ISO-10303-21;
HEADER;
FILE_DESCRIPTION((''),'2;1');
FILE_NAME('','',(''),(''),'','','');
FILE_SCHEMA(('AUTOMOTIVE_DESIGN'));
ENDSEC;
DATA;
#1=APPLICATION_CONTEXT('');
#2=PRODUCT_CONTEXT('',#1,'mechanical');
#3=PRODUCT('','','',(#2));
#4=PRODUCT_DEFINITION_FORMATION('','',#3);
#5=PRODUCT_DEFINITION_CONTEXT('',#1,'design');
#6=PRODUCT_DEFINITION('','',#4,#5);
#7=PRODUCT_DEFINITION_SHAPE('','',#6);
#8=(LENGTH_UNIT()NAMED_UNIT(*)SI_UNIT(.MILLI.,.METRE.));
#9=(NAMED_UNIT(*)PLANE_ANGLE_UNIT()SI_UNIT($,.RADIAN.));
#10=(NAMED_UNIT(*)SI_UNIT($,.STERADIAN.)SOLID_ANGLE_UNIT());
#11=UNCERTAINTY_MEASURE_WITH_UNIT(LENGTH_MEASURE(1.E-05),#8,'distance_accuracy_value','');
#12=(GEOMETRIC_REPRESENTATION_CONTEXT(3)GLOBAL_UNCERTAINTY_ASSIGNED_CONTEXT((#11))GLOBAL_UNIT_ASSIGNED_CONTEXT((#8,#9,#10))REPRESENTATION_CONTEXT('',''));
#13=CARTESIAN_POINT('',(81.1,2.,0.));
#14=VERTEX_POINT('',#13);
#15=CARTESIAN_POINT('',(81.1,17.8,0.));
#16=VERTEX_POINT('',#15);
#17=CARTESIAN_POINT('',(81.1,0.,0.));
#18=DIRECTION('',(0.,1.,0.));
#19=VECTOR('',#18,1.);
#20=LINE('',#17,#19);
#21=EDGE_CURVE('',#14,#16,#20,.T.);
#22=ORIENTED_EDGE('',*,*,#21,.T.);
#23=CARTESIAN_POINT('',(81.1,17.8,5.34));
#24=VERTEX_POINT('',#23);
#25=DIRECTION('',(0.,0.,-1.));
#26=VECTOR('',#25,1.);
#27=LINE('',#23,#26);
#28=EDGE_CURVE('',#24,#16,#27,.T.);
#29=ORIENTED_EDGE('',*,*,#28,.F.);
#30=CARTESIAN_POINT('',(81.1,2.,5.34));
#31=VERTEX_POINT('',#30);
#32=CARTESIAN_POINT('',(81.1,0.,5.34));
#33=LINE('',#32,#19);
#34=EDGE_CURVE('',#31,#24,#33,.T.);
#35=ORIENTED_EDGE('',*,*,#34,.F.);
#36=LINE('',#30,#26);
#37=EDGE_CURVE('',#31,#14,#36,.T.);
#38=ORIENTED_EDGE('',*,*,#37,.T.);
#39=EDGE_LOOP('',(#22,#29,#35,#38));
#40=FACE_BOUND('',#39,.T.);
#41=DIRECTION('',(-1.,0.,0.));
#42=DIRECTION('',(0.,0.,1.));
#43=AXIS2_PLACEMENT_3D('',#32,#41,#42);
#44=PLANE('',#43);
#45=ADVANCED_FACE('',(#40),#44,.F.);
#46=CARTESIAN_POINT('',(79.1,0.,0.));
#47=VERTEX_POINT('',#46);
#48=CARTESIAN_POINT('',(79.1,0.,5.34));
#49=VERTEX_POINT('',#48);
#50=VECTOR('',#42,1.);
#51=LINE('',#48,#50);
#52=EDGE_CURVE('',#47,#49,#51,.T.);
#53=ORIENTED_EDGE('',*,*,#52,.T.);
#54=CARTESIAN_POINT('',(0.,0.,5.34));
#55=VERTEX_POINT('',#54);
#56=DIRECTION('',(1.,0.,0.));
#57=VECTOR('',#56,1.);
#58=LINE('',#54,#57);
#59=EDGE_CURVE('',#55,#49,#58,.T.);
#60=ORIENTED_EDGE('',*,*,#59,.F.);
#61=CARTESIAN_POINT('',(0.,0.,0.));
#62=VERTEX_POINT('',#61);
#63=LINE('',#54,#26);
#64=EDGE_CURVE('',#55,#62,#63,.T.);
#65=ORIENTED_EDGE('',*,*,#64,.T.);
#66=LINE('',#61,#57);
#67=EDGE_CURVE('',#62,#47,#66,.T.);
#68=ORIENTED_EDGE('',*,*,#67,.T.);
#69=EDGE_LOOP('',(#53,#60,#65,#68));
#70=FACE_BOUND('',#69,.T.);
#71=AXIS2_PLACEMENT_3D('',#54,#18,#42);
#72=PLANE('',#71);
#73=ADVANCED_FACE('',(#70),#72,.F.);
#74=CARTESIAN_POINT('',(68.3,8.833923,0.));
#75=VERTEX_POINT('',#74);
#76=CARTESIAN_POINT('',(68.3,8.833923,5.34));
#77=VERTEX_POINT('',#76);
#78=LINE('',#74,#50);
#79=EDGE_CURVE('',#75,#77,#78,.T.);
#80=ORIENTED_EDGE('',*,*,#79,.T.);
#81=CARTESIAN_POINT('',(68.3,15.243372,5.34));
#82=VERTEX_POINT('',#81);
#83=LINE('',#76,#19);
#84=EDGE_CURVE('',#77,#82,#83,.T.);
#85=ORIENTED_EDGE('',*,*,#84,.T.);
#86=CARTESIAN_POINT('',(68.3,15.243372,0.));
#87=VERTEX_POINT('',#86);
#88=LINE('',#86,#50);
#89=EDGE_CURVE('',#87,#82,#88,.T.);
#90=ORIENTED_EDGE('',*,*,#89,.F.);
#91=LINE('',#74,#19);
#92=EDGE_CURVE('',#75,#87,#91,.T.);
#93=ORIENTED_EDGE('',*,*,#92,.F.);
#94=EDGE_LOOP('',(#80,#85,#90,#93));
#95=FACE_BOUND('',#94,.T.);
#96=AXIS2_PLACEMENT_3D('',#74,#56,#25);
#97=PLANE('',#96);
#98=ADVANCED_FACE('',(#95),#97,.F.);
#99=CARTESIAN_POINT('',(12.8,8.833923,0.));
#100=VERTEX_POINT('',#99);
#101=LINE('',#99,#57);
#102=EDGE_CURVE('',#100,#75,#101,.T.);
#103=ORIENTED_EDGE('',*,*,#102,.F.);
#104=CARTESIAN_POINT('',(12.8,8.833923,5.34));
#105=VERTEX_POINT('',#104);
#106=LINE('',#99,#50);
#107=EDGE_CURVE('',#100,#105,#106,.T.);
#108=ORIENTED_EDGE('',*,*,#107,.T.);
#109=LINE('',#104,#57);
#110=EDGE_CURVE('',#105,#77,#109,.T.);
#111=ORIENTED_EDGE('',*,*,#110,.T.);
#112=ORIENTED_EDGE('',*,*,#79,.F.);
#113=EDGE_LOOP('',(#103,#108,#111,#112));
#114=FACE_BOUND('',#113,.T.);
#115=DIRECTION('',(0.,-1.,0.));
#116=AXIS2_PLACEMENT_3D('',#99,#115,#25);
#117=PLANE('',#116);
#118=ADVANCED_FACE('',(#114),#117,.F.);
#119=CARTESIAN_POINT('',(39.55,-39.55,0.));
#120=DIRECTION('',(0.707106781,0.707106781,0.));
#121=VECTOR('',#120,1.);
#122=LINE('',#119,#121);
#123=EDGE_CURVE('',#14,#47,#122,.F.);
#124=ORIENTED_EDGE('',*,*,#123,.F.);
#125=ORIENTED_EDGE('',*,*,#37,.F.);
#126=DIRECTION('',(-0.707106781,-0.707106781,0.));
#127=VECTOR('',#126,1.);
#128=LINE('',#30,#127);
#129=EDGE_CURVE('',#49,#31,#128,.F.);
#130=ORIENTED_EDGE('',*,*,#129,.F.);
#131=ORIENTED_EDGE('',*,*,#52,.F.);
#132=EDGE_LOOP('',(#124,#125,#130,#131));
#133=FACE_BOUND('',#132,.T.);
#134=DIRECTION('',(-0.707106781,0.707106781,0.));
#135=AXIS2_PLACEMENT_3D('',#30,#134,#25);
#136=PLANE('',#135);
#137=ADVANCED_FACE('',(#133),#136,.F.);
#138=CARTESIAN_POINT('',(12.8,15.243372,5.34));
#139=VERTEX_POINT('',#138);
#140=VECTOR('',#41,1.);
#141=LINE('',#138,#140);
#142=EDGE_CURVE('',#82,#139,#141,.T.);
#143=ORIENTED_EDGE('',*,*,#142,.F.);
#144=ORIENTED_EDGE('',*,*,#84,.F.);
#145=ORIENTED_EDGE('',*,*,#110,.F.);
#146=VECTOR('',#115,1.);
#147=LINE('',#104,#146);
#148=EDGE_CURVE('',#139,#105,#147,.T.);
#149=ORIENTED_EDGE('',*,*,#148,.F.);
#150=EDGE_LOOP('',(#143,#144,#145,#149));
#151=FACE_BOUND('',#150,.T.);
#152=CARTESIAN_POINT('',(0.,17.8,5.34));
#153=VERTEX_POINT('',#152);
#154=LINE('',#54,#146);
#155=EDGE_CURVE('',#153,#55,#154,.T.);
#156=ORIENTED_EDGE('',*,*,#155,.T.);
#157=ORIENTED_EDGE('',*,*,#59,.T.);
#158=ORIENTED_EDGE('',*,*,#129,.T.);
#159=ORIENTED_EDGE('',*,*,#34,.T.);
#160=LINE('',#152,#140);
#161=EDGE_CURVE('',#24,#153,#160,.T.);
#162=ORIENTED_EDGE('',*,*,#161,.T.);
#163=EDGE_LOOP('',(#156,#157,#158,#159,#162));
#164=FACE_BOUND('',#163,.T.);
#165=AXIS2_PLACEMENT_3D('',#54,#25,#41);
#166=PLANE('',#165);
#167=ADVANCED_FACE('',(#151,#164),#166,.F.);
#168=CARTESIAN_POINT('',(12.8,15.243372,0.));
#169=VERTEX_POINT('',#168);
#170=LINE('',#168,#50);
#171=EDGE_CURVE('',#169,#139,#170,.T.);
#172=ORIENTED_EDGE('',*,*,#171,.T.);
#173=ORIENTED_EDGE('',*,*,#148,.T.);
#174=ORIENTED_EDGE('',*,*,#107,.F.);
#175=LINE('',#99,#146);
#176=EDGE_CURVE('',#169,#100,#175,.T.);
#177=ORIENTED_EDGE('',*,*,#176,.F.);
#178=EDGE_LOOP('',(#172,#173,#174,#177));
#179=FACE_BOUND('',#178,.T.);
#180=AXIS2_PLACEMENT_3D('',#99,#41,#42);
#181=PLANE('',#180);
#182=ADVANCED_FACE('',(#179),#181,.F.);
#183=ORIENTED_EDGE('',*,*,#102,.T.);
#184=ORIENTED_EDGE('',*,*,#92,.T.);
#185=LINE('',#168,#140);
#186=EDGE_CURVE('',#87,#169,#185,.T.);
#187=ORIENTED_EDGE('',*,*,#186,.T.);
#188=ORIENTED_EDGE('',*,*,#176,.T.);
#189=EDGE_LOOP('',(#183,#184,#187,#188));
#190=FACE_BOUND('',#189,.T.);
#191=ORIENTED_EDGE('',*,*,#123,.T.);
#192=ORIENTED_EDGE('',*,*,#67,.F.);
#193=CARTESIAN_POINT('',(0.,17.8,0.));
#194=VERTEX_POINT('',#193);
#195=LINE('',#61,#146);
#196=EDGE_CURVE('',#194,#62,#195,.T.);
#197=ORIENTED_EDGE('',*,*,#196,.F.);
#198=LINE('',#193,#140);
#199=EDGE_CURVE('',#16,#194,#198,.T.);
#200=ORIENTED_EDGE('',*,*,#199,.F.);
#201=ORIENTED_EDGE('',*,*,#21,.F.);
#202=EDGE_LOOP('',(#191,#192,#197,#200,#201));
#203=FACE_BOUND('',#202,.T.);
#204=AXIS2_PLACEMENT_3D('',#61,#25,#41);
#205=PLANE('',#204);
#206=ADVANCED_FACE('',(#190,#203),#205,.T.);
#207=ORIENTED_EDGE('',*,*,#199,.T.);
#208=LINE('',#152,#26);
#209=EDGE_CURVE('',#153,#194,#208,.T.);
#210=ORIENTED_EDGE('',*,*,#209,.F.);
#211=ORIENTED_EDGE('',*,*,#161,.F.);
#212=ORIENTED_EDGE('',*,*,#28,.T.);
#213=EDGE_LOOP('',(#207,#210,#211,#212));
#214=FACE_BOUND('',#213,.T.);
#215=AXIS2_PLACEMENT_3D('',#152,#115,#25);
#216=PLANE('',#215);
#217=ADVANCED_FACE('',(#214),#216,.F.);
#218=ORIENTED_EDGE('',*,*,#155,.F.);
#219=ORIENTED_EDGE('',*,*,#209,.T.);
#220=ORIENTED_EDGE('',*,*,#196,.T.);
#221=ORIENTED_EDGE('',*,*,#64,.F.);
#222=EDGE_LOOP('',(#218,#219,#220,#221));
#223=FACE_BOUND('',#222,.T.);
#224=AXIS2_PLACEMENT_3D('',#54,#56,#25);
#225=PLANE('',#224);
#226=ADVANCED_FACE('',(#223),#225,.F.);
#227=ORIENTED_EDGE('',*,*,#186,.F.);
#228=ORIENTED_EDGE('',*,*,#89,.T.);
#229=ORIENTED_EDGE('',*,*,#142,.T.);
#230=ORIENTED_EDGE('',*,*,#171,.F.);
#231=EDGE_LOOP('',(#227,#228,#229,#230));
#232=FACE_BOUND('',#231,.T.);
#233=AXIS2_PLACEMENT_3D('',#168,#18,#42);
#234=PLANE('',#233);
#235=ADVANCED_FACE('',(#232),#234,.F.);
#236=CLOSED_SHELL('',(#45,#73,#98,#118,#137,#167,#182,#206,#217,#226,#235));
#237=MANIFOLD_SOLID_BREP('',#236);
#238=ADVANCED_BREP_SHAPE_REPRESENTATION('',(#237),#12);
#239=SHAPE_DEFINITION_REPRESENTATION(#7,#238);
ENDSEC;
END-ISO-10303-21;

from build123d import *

# Parameters (mm, degrees)
SKETCH_1_W          = 81.1
SKETCH_1_H          = 17.8
EXTRUDE_1_DEPTH     = 5.34
CHAMFER_1_SIZE      = 2
SKETCH_2_W          = 55.5
SKETCH_2_H          = 6.409449073
CUT_EXTRUDE_1_DEPTH = 6.34


with BuildPart() as part:
    # Эскиз1 → Бобышка-Вытянуть1 (new body)
    with BuildSketch(Plane.XY):
        with Locations((40.55, 8.9)):
            Rectangle(SKETCH_1_W, SKETCH_1_H)
    extrude(amount=EXTRUDE_1_DEPTH)

    # Фаска1
    chamfer_1_edges = [part.edges().sort_by_distance(p)[0] for p in [
        (81.1, 0, 2.67),
    ]]
    chamfer(chamfer_1_edges, length=CHAMFER_1_SIZE)

    # Эскиз2 → Вырез-Вытянуть1 (cut, through all)
    with BuildSketch(Plane.XY.offset(5.34)):
        with Locations((40.55, 12.038647742)):
            Rectangle(SKETCH_2_W, SKETCH_2_H)
    extrude(amount=-CUT_EXTRUDE_1_DEPTH, mode=Mode.SUBTRACT)


solid = part.part
